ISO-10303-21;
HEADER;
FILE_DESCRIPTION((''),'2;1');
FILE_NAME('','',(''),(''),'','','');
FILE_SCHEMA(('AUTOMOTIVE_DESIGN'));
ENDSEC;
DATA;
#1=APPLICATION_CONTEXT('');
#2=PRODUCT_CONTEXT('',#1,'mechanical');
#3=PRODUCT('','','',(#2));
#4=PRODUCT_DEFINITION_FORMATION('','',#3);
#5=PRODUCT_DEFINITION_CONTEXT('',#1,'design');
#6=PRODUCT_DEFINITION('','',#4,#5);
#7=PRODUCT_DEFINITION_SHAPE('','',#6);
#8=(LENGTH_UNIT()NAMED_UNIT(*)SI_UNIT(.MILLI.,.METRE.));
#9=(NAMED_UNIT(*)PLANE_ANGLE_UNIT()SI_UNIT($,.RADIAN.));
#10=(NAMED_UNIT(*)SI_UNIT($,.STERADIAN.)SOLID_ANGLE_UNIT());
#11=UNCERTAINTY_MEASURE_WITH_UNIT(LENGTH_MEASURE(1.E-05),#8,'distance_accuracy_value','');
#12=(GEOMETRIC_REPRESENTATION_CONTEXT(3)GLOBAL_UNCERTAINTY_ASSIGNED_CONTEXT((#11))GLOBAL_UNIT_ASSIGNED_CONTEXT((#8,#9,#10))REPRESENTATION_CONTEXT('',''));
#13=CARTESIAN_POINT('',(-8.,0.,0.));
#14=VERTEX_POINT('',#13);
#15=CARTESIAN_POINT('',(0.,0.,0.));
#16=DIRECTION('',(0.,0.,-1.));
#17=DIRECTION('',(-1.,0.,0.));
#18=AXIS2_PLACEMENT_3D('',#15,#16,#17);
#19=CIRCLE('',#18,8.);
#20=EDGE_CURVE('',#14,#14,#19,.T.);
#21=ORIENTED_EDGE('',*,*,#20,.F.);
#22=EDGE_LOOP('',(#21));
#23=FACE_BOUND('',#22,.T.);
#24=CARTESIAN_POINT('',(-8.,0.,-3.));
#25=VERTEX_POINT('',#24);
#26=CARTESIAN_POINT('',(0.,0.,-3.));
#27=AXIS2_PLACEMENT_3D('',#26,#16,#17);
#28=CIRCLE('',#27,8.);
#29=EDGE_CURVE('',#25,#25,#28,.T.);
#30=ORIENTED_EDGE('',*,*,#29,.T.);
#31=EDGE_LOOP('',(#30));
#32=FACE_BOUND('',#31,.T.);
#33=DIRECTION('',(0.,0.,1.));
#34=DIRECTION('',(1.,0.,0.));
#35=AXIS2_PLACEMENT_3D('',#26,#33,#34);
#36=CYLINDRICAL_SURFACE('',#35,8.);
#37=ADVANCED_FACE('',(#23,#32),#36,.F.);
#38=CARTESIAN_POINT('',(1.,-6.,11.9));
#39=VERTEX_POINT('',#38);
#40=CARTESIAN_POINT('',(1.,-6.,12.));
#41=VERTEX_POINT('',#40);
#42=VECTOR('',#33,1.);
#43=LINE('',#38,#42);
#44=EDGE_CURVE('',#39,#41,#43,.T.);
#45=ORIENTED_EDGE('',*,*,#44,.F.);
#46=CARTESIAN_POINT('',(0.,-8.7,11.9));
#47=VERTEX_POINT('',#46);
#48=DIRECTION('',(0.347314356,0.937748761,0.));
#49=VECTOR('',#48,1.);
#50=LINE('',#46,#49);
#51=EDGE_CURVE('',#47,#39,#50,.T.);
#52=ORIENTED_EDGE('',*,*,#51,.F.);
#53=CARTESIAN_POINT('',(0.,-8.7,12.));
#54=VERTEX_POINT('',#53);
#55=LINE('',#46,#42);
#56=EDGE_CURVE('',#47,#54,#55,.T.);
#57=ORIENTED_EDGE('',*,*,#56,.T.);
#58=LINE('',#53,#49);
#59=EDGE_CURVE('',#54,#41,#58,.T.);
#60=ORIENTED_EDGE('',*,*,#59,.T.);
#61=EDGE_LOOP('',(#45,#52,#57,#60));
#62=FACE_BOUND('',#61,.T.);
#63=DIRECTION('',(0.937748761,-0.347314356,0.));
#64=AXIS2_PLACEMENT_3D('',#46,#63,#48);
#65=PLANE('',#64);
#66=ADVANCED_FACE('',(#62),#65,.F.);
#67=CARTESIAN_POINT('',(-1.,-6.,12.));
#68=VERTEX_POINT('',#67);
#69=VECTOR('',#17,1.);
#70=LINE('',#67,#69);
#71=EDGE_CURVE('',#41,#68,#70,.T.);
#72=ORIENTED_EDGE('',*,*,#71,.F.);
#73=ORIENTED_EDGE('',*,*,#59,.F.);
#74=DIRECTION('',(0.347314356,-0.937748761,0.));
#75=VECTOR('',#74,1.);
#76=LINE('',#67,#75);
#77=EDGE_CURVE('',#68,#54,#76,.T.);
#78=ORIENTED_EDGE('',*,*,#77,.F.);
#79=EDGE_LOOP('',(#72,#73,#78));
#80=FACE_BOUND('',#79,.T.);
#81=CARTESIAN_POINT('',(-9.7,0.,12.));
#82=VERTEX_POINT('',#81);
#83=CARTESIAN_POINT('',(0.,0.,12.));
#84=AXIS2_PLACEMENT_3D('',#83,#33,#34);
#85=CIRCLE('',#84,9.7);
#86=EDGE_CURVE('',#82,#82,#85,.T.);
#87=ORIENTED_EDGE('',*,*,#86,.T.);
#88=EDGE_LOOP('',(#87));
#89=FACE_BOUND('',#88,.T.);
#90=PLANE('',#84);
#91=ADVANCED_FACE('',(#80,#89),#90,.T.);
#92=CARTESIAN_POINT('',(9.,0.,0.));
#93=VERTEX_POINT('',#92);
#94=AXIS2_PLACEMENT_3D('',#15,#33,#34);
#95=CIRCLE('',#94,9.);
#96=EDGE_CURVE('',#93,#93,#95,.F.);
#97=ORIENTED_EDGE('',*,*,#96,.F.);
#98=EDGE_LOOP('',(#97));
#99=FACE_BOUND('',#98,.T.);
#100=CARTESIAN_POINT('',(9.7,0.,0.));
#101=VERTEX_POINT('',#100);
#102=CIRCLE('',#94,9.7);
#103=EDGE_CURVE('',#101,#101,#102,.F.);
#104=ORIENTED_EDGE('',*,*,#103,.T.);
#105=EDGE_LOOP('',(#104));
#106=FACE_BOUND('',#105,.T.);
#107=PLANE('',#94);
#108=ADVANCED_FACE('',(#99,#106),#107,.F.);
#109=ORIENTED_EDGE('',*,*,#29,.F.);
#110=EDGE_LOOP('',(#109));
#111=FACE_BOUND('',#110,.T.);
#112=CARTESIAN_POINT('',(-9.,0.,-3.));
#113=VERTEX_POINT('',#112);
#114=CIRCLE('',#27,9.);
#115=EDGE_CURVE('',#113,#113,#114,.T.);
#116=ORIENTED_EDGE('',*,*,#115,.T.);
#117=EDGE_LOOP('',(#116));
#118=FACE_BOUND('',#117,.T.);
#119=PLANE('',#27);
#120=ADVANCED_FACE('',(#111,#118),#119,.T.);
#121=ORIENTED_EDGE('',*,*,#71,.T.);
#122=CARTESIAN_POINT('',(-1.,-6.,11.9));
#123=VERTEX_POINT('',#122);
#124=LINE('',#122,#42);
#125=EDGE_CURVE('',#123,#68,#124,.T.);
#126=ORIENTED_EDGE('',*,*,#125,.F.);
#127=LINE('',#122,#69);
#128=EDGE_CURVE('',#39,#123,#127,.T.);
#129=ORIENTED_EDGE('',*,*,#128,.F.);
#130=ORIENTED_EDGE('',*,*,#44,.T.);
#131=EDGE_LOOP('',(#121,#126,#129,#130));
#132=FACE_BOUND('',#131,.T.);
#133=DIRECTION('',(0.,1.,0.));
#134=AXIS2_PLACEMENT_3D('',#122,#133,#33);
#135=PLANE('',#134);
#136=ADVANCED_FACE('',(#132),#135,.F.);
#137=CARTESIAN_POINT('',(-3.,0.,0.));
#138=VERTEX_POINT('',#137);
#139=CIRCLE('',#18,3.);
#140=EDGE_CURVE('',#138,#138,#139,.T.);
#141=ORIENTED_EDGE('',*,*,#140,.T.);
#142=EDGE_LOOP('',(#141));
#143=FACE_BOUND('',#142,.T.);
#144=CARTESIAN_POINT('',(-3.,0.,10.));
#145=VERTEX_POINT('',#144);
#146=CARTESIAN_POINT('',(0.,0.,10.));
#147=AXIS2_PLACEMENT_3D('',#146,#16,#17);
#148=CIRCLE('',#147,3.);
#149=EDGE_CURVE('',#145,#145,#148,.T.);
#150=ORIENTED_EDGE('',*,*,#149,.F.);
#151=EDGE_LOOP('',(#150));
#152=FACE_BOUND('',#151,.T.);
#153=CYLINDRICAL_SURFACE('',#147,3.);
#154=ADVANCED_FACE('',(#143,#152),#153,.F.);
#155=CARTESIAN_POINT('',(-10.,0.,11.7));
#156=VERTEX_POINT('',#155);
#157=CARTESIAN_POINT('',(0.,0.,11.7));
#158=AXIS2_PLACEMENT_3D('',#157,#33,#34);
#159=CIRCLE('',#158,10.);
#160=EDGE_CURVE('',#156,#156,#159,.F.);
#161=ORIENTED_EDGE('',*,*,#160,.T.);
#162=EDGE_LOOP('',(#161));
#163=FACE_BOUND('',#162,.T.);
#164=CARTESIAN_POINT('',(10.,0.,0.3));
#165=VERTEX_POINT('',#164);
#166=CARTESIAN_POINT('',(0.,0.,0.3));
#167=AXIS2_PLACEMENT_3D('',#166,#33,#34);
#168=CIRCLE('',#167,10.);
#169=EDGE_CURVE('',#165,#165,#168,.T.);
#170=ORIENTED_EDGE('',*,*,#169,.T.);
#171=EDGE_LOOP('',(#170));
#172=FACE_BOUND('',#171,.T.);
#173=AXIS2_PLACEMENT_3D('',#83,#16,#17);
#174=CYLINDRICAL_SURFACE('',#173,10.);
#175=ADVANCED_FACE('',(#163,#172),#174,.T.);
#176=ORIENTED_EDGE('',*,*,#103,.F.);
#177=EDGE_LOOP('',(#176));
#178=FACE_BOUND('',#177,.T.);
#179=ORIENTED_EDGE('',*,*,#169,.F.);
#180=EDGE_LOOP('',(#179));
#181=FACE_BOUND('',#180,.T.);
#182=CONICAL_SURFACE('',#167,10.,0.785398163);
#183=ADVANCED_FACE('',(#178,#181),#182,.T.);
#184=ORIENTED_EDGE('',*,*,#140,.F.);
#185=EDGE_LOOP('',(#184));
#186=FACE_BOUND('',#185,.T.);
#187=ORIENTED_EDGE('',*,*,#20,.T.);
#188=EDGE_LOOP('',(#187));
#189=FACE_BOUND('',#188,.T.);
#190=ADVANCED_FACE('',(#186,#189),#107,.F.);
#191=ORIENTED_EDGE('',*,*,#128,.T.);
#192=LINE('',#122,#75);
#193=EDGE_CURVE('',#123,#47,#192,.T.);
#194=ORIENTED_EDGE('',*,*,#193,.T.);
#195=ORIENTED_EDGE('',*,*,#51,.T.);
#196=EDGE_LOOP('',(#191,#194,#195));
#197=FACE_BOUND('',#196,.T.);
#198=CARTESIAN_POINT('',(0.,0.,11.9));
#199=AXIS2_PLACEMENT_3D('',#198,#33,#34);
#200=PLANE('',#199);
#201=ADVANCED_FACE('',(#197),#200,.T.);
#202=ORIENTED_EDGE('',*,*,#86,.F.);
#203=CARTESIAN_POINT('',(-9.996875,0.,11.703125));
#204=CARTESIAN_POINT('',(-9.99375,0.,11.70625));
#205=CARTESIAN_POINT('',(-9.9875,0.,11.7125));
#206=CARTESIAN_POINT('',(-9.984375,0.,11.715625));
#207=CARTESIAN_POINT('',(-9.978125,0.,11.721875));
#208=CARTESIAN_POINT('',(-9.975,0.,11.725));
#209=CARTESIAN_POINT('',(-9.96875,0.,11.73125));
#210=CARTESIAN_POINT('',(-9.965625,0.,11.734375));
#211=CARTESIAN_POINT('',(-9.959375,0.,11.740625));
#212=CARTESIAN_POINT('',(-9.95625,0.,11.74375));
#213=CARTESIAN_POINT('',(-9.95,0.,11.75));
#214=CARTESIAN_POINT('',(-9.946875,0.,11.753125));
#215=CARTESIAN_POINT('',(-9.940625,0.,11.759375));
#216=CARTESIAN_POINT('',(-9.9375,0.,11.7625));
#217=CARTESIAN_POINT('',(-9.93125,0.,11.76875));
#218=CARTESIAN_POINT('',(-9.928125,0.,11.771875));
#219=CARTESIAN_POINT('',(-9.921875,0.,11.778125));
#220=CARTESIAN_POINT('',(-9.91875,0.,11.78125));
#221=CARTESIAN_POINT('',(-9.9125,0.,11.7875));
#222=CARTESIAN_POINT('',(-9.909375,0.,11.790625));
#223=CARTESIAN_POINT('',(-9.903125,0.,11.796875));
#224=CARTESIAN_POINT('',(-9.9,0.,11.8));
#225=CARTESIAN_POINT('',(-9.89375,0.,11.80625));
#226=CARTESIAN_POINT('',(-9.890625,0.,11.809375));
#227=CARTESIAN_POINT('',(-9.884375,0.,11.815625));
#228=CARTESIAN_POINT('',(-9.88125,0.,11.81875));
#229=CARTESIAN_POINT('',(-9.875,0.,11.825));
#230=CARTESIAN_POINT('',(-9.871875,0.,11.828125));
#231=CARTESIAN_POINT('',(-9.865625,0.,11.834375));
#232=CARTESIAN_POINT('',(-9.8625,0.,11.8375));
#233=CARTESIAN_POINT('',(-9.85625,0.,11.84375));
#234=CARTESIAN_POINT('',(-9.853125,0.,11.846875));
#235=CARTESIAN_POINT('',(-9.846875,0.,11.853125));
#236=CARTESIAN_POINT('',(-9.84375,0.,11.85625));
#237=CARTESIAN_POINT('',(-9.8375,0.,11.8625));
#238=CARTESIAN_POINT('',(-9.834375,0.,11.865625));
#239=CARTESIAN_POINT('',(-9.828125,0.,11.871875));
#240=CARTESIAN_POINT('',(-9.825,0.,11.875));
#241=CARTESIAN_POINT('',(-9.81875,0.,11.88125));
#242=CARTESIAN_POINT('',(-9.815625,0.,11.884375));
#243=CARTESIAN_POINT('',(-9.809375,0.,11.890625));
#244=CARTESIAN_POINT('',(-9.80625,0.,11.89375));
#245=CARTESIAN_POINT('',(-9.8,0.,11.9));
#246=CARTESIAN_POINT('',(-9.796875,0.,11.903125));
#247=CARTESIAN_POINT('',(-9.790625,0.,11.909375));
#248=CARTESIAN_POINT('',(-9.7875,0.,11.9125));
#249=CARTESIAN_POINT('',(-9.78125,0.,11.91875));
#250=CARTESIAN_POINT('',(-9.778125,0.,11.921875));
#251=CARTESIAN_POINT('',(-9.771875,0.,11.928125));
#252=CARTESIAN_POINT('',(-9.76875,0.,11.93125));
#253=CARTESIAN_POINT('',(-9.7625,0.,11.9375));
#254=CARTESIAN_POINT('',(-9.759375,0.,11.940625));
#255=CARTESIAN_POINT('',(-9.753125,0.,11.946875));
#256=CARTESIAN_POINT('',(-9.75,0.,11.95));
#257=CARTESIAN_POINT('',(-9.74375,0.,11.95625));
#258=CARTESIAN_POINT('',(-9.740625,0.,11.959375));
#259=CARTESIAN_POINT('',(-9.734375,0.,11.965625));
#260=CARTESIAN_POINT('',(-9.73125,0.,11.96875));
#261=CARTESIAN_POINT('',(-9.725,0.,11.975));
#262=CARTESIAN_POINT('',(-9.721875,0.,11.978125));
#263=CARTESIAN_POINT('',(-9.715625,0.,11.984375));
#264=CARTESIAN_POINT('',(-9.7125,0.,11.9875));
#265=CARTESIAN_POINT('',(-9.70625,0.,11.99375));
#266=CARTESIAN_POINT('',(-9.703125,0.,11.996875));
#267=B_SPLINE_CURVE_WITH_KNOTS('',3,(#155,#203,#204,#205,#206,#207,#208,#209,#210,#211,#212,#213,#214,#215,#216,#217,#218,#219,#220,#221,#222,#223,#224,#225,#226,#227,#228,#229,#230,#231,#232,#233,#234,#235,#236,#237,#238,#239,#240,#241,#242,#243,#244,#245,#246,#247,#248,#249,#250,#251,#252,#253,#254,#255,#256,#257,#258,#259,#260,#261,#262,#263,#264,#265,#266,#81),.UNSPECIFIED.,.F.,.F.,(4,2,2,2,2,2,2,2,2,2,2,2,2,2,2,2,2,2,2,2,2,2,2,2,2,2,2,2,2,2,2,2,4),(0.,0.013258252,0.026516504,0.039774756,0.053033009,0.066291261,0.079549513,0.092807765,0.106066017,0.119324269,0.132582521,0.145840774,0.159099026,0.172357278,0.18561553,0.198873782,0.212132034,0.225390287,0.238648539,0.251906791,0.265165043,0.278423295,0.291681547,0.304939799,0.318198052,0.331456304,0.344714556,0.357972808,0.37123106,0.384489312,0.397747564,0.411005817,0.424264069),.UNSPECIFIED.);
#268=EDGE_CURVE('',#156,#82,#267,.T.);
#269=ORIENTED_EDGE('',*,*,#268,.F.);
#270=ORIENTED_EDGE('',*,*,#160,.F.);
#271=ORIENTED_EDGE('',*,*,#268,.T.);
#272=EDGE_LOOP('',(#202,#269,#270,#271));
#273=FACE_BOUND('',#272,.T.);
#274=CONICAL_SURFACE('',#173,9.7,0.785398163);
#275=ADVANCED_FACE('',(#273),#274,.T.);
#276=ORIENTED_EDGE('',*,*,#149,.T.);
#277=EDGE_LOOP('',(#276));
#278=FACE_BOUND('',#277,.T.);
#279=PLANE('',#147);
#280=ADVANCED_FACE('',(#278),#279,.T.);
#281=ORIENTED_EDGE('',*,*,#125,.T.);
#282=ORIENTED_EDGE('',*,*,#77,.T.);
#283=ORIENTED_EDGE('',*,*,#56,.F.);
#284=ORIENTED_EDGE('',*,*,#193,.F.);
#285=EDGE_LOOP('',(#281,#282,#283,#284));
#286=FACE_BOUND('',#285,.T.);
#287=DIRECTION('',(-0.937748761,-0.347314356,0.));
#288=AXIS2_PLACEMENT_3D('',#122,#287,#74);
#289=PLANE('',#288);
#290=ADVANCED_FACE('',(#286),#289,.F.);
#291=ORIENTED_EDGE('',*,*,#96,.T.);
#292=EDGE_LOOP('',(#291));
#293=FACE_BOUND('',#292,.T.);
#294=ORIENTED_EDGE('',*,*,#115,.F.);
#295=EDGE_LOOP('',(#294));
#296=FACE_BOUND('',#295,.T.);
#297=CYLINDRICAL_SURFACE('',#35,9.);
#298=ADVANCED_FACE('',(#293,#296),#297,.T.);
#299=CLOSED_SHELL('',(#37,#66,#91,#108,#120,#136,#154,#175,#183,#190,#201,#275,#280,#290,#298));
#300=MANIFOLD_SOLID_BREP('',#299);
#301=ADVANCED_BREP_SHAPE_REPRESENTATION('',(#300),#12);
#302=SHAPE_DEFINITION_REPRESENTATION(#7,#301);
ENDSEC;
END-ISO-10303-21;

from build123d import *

# Parameters (mm, degrees)
SKETCH1_R           = 10
BOSS_EXTRUDE1_DEPTH = 12
SKETCH2_R           = 9
SKETCH2_R_2         = 8
BOSS_EXTRUDE2_DEPTH = 3
SKETCH3_R           = 3
CUT_EXTRUDE1_DEPTH  = 10
CHAMFER1_SIZE       = 0.3
CUT_EXTRUDE2_DEPTH  = 0.1


with BuildPart() as part:
    # Sketch1 → Boss-Extrude1 (new body)
    with BuildSketch(Plane(origin=(0, 0, 0), x_dir=(0, 1, 0), z_dir=(0, 0, 1))):
        with Locations(Location((0, 0, 0), (0, 0, 270))):
            Circle(SKETCH1_R)
    extrude(amount=BOSS_EXTRUDE1_DEPTH)

    # Sketch2 → Boss-Extrude2 (add)
    with BuildSketch(Plane(origin=(0, 0, 0), x_dir=(1, 0, 0), z_dir=(0, 0, -1))):
        Circle(SKETCH2_R)
        with Locations(Location((0, 0, 0), (0, 0, 180))):
            Circle(SKETCH2_R_2, mode=Mode.SUBTRACT)
    extrude(amount=BOSS_EXTRUDE2_DEPTH)

    # Sketch3 → Cut-Extrude1 (cut)
    with BuildSketch(Plane(origin=(0, 0, 0), x_dir=(1, 0, 0), z_dir=(0, 0, -1))):
        with Locations(Location((0, 0, 0), (0, 0, 180))):
            Circle(SKETCH3_R)
    extrude(amount=-CUT_EXTRUDE1_DEPTH, mode=Mode.SUBTRACT)

    # Chamfer1
    chamfer1_edges = [part.edges().sort_by_distance(p)[0] for p in [
        (-10, 0, 0),
        (-10, 0, 12),
    ]]
    chamfer(chamfer1_edges, length=CHAMFER1_SIZE)

    # Sketch4 → Cut-Extrude2 (cut)
    with BuildSketch(Plane.XY.offset(12)):
        Polygon((-1, -6), (1, -6), (0, -8.7), align=None)
    extrude(amount=-CUT_EXTRUDE2_DEPTH, mode=Mode.SUBTRACT)


solid = part.part
